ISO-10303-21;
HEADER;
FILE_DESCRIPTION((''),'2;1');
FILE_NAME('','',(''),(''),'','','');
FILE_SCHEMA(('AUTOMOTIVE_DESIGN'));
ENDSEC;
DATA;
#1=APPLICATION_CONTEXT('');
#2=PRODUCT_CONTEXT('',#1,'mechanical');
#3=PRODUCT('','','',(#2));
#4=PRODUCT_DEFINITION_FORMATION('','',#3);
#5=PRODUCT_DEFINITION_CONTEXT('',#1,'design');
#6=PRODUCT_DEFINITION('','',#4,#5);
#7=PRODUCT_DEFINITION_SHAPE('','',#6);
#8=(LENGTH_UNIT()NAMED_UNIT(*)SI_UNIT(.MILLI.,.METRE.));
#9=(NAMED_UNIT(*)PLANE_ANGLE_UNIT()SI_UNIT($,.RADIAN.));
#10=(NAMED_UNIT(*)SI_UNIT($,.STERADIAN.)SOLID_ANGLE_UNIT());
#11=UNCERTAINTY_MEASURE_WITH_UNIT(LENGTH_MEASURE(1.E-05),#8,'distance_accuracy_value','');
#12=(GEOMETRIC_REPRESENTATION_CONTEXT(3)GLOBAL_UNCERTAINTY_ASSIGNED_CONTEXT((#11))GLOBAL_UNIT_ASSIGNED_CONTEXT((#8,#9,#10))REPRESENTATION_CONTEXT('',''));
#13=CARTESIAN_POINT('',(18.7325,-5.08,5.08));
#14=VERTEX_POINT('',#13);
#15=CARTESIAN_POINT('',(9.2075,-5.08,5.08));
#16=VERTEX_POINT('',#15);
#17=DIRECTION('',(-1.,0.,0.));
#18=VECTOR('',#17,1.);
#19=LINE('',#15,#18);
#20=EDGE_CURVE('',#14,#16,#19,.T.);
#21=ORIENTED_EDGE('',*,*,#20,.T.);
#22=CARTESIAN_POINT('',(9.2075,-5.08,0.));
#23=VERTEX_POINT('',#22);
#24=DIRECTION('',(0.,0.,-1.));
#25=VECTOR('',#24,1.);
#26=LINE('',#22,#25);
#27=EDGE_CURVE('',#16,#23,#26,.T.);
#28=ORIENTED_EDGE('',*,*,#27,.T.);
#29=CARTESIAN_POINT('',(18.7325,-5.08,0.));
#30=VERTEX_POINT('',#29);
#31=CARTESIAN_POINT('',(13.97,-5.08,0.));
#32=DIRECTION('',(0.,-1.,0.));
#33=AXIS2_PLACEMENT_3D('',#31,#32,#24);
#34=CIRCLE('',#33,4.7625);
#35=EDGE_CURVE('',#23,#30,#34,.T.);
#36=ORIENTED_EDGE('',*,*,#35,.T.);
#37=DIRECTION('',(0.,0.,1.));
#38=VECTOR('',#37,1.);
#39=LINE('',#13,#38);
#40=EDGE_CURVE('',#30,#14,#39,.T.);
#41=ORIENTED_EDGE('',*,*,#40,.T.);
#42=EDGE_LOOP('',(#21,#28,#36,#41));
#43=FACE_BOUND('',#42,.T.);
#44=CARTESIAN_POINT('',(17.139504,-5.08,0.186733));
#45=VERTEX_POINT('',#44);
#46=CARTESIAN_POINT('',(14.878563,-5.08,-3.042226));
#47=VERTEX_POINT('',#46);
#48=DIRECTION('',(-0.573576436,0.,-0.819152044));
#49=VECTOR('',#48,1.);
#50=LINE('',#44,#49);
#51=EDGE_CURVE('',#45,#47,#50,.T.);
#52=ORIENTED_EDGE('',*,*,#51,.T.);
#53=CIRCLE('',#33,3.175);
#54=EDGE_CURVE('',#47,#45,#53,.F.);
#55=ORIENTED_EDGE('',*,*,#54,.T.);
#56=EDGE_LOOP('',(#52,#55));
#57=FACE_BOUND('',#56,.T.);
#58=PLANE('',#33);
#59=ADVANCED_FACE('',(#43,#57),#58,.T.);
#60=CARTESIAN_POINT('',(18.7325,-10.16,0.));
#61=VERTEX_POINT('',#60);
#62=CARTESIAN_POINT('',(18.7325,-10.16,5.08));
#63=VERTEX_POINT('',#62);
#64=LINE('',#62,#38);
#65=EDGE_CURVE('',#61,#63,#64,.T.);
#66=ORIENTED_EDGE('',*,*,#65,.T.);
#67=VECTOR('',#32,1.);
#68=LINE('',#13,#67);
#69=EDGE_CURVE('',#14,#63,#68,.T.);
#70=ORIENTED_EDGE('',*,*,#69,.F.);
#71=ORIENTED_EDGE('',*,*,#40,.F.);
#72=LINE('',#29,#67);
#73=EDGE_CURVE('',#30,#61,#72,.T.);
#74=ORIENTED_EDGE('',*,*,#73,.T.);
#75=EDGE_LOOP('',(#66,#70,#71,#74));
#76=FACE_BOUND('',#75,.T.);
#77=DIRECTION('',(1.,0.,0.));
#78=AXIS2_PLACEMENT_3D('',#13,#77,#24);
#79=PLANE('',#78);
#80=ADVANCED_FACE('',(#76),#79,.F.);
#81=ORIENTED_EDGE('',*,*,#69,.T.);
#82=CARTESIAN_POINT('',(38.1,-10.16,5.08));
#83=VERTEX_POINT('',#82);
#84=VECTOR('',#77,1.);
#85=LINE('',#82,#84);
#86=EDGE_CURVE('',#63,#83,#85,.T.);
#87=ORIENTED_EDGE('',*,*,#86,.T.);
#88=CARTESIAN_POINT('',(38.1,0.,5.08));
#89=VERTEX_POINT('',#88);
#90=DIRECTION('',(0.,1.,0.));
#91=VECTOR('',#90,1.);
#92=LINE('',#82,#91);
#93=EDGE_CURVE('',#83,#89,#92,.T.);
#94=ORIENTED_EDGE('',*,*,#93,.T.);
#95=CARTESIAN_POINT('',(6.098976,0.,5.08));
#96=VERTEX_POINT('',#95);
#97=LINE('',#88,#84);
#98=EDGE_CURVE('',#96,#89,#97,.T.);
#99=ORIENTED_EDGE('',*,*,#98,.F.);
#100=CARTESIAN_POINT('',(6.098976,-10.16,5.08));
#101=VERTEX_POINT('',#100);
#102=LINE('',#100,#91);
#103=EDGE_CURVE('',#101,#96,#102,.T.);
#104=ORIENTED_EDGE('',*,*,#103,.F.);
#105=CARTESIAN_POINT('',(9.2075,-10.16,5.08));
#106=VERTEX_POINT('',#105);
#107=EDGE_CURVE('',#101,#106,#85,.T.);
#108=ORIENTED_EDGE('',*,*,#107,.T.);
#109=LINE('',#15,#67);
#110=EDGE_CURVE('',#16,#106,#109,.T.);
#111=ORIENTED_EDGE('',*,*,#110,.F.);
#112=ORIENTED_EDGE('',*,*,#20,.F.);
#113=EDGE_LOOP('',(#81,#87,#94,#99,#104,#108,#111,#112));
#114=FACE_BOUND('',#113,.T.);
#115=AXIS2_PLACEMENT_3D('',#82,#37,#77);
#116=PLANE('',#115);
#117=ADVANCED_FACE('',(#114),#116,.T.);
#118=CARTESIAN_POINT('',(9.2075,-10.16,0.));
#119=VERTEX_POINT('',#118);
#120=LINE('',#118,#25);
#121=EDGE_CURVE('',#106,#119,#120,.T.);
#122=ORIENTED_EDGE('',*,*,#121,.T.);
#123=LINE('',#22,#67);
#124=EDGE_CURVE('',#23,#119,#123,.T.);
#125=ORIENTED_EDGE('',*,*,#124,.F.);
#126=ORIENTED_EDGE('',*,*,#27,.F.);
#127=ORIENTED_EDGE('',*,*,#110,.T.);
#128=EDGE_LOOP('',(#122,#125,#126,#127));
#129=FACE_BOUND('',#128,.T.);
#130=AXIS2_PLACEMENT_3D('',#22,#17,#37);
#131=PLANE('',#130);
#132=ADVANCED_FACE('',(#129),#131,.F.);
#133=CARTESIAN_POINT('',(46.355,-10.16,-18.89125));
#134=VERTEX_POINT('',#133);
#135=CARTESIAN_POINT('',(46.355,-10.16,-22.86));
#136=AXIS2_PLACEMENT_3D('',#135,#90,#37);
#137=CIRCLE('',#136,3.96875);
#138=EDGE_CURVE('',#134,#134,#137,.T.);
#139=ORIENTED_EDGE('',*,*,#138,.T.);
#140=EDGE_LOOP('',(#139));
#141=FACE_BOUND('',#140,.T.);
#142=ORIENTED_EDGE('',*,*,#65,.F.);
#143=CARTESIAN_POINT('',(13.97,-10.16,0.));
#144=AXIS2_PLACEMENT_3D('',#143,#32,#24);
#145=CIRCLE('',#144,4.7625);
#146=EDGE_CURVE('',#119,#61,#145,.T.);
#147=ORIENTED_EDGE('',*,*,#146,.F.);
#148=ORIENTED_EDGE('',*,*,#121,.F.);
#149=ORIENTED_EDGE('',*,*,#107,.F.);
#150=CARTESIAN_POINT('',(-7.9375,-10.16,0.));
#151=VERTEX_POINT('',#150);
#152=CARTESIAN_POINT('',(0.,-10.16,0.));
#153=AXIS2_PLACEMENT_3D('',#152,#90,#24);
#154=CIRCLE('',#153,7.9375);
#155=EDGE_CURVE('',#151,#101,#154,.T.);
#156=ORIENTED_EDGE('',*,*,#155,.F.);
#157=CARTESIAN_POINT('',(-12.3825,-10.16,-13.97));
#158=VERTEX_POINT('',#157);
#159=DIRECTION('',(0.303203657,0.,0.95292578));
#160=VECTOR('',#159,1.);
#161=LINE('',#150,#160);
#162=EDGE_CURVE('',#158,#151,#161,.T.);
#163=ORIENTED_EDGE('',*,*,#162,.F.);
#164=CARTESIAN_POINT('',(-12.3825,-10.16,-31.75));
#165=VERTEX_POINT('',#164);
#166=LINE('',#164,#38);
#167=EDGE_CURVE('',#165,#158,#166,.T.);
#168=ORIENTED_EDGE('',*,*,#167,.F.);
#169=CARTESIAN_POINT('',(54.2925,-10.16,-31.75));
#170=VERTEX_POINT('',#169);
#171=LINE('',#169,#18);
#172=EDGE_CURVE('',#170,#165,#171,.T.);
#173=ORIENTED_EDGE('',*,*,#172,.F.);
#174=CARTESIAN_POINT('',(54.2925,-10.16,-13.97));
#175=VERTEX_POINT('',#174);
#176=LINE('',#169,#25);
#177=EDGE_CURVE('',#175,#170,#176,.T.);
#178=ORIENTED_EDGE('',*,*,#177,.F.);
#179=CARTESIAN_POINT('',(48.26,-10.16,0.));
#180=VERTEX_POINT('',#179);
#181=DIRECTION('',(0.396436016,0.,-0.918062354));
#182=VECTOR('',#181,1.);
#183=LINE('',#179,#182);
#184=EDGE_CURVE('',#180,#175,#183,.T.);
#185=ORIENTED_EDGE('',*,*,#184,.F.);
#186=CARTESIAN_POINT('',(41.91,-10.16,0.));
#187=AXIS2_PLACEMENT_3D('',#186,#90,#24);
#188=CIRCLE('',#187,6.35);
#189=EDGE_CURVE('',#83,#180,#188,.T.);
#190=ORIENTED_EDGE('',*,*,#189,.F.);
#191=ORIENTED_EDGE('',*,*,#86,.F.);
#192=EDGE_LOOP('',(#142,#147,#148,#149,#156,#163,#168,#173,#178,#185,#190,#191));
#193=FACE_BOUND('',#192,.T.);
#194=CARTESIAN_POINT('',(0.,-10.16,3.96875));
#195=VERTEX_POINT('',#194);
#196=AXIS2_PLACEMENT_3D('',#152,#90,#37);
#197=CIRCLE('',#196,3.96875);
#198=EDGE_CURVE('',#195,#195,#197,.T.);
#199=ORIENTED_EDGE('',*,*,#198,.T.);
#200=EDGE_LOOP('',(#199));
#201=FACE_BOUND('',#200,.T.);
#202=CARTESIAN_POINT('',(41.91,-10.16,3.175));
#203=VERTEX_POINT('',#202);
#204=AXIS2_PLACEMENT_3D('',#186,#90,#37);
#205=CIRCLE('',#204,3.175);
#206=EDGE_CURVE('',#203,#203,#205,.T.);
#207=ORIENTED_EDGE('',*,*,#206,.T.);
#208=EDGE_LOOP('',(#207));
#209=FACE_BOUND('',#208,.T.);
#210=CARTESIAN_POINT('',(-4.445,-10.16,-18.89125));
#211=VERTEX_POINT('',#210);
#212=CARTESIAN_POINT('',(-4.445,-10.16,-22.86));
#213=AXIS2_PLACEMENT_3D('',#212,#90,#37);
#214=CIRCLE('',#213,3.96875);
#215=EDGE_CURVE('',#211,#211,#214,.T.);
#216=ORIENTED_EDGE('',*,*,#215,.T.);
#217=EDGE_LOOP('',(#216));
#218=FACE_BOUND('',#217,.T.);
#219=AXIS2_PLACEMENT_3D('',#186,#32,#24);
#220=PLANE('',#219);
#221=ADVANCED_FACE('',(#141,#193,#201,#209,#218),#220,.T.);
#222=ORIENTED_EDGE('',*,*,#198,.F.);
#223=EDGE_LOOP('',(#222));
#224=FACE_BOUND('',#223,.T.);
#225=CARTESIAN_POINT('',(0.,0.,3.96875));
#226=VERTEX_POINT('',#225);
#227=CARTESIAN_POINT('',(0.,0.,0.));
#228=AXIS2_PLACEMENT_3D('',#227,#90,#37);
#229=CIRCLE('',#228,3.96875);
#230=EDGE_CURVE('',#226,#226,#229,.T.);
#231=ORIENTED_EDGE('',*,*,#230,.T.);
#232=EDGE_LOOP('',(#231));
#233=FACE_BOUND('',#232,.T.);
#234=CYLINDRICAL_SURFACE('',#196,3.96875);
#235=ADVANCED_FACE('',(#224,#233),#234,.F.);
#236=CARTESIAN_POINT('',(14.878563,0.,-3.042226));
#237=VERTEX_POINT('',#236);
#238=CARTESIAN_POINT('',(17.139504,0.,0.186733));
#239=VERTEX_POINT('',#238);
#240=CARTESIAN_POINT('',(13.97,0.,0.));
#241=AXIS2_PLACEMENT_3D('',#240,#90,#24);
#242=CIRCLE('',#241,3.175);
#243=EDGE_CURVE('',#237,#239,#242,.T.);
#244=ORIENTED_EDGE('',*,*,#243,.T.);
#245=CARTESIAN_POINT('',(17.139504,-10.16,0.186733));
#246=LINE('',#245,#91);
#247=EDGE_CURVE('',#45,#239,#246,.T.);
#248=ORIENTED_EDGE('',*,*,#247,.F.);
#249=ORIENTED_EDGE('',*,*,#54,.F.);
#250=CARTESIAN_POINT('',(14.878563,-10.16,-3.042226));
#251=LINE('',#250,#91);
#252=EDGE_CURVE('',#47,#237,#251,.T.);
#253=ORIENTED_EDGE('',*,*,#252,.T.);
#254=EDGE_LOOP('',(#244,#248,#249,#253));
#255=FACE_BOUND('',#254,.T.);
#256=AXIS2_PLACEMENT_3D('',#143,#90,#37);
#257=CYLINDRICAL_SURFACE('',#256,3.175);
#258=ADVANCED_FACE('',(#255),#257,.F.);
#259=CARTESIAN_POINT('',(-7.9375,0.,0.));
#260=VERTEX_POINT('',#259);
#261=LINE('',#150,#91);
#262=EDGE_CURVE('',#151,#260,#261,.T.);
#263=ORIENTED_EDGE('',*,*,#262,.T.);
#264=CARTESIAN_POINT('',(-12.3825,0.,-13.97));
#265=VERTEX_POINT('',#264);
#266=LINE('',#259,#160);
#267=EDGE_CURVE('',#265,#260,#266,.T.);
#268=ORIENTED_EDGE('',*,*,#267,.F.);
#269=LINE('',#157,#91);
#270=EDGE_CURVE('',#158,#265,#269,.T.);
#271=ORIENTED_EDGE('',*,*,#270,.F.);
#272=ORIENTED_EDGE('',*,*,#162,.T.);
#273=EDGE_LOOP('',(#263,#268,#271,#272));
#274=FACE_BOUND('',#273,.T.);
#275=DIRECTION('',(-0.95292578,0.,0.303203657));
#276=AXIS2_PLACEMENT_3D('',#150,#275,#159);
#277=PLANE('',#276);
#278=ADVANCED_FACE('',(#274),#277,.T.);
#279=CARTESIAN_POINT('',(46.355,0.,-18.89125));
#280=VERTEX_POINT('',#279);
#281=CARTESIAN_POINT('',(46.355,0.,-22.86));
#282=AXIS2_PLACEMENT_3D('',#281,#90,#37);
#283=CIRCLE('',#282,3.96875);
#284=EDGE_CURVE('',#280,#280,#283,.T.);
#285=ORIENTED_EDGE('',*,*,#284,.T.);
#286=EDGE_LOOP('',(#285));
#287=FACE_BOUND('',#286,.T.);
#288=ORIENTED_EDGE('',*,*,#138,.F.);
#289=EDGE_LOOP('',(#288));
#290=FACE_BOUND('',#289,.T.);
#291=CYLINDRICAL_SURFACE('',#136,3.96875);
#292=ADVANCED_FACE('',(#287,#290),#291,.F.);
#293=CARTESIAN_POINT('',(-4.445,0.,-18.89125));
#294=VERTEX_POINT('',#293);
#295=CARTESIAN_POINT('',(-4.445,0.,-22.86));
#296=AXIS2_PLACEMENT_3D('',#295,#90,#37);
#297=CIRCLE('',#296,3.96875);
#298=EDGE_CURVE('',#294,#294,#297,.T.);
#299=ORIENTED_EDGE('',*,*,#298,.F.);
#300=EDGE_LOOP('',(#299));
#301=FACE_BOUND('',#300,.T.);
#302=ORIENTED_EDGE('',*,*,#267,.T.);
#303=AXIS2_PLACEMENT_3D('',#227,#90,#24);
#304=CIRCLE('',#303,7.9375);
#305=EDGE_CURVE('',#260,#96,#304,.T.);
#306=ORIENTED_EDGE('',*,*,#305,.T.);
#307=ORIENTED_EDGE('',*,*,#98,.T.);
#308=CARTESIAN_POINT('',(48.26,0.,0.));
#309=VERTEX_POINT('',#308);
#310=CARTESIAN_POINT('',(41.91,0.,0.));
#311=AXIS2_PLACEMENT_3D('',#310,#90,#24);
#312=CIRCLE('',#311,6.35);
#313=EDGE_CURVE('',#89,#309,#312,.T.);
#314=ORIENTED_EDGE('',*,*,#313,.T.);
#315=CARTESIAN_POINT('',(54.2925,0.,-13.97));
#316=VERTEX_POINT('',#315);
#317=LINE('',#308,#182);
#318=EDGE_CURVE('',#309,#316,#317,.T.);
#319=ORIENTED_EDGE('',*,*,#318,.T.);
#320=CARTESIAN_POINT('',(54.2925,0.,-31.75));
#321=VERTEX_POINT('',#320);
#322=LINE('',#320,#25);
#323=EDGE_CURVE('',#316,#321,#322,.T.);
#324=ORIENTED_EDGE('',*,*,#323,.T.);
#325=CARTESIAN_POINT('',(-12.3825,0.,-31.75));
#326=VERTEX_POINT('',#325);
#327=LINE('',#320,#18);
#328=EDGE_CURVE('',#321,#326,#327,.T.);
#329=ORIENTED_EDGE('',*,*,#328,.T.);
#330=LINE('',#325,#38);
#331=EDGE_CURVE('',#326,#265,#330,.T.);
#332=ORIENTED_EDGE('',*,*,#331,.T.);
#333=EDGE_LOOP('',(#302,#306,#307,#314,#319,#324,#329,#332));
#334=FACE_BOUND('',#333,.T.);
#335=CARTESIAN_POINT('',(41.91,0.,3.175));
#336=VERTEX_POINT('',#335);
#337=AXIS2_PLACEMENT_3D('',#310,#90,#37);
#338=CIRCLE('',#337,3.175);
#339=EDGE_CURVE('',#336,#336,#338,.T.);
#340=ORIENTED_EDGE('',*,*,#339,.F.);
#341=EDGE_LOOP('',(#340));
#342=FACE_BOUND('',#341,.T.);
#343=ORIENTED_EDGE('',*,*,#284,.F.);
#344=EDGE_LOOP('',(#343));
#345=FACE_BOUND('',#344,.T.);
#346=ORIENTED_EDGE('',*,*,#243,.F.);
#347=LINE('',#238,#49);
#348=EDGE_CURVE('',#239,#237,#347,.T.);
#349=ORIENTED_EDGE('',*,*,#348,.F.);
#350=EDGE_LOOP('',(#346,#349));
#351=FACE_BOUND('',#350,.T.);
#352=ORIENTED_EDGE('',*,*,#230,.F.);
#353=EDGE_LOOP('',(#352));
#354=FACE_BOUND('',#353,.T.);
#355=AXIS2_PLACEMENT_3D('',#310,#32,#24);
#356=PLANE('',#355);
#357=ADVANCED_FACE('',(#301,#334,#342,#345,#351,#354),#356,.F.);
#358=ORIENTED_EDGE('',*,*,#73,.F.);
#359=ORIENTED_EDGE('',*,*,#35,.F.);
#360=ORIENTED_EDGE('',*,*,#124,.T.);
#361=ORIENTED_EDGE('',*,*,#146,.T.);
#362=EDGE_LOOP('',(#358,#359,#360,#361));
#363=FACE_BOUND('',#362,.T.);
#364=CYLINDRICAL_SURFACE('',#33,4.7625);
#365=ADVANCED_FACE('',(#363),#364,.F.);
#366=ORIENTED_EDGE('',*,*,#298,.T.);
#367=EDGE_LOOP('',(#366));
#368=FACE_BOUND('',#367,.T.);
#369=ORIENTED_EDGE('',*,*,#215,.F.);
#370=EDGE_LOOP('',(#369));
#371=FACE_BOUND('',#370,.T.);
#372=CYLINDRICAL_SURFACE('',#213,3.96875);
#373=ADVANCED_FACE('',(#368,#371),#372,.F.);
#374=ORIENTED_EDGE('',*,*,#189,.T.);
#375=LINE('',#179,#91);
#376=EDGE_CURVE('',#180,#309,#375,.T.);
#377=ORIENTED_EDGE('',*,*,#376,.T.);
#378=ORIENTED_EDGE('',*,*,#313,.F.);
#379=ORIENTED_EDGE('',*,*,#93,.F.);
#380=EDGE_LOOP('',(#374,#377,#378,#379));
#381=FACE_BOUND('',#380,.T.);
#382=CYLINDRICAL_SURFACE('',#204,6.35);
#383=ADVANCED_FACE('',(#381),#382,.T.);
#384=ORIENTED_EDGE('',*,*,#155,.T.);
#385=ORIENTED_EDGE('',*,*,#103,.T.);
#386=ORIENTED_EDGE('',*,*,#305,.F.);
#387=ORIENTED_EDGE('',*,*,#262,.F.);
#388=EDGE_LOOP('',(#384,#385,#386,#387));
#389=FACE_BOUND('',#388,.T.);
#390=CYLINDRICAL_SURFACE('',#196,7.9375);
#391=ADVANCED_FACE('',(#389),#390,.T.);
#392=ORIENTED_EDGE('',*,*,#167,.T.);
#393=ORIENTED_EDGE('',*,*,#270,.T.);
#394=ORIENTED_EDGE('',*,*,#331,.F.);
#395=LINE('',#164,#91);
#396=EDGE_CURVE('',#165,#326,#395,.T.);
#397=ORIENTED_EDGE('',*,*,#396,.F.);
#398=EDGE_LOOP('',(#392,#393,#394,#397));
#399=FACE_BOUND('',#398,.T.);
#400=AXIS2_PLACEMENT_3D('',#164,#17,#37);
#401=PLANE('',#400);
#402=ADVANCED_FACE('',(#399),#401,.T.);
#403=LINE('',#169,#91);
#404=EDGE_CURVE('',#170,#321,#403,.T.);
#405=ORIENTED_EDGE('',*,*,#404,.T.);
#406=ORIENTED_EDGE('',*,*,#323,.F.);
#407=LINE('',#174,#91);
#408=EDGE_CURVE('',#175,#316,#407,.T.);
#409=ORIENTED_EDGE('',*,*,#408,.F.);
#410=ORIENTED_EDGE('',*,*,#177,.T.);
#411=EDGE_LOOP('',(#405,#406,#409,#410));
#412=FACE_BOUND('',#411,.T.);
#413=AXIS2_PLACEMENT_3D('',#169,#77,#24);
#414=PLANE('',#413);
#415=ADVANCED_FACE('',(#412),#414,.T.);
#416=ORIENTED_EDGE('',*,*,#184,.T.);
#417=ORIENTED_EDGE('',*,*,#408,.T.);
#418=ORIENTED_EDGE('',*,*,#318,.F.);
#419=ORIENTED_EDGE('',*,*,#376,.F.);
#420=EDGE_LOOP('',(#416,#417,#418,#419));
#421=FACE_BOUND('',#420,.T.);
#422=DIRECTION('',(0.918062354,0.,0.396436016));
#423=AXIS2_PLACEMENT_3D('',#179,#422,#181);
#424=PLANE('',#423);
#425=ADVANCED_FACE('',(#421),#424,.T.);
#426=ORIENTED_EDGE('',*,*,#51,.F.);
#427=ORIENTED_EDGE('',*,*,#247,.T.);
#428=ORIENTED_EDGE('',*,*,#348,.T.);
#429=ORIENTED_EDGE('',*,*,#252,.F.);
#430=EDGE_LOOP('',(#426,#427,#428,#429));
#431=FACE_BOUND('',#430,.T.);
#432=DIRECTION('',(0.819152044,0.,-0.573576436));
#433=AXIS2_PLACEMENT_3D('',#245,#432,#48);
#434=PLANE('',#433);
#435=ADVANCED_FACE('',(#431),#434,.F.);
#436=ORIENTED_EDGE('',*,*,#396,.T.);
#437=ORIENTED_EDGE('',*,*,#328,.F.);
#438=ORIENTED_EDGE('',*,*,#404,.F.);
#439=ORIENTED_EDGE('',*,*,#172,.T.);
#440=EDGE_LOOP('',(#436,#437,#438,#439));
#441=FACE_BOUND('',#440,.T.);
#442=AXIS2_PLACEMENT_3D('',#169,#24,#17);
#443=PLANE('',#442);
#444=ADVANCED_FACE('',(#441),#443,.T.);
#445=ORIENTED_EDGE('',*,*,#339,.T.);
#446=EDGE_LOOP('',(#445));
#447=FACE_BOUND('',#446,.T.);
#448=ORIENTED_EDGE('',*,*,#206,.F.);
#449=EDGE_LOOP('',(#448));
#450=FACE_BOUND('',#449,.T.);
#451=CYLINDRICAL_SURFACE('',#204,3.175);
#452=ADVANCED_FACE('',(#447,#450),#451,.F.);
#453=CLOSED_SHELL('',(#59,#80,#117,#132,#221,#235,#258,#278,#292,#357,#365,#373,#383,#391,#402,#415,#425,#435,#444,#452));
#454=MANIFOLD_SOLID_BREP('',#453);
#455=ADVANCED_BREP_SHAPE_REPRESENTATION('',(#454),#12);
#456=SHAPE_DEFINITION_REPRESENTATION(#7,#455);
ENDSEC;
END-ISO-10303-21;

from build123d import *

# Parameters (mm, degrees)
SKETCH1_R           = 3.96875
SKETCH1_R_2         = 3.175
BOSS_EXTRUDE1_DEPTH = 10.16
CUT_EXTRUDE1_DEPTH  = 5.08


with BuildPart() as part:
    # Sketch1 → Boss-Extrude1 (new body)
    with BuildSketch(Plane(origin=(0, 0, 0), x_dir=(1, 0, 0), z_dir=(0, 1, 0))):
        with BuildLine():
            Line((38.1, -5.08), (6.098975836, -5.08))
            ThreePointArc((6.098975836, -5.08), (-2.701229863, -7.463729863), (-7.9375, 0))
            Line((-7.9375, 0), (-12.3825, 13.97))
            Line((-12.3825, 13.97), (-12.3825, 31.75))
            Line((-12.3825, 31.75), (54.2925, 31.75))
            Line((54.2925, 31.75), (54.2925, 13.97))
            Line((54.2925, 13.97), (48.26, 0))
            ThreePointArc((48.26, 0), (44.749806331, -5.679612663), (38.1, -5.08))
        make_face()
        with Locations(Location((0, 0, 0), (0, 0, 270))):
            Circle(SKETCH1_R, mode=Mode.SUBTRACT)
        with Locations(Location((41.91, 0, 0), (0, 0, 270))):
            Circle(SKETCH1_R_2, mode=Mode.SUBTRACT)
        with Locations(Location((46.355, 22.86, 0), (0, 0, 270))):
            Circle(SKETCH1_R, mode=Mode.SUBTRACT)
        with Locations(Location((-4.445, 22.86, 0), (0, 0, 270))):
            Circle(SKETCH1_R, mode=Mode.SUBTRACT)
        with BuildLine():
            Line((17.139504023, -0.186733089), (14.878562514, 3.04222602))
            ThreePointArc((14.878562514, 3.04222602), (11.369192259, -1.821105185), (17.139504023, -0.186733089))
        make_face(mode=Mode.SUBTRACT)
    extrude(amount=-BOSS_EXTRUDE1_DEPTH)

    # Sketch2 → Cut-Extrude1 (cut)
    with BuildSketch(Plane.XZ.offset(10.16)):
        with BuildLine():
            Line((9.2075, 0), (9.2075, 5.08))
            Line((9.2075, 5.08), (18.7325, 5.08))
            Line((18.7325, 5.08), (18.7325, 0))
            ThreePointArc((18.7325, 0), (13.97, -4.7625), (9.2075, 0))
        make_face()
    extrude(amount=-CUT_EXTRUDE1_DEPTH, mode=Mode.SUBTRACT)


solid = part.part
